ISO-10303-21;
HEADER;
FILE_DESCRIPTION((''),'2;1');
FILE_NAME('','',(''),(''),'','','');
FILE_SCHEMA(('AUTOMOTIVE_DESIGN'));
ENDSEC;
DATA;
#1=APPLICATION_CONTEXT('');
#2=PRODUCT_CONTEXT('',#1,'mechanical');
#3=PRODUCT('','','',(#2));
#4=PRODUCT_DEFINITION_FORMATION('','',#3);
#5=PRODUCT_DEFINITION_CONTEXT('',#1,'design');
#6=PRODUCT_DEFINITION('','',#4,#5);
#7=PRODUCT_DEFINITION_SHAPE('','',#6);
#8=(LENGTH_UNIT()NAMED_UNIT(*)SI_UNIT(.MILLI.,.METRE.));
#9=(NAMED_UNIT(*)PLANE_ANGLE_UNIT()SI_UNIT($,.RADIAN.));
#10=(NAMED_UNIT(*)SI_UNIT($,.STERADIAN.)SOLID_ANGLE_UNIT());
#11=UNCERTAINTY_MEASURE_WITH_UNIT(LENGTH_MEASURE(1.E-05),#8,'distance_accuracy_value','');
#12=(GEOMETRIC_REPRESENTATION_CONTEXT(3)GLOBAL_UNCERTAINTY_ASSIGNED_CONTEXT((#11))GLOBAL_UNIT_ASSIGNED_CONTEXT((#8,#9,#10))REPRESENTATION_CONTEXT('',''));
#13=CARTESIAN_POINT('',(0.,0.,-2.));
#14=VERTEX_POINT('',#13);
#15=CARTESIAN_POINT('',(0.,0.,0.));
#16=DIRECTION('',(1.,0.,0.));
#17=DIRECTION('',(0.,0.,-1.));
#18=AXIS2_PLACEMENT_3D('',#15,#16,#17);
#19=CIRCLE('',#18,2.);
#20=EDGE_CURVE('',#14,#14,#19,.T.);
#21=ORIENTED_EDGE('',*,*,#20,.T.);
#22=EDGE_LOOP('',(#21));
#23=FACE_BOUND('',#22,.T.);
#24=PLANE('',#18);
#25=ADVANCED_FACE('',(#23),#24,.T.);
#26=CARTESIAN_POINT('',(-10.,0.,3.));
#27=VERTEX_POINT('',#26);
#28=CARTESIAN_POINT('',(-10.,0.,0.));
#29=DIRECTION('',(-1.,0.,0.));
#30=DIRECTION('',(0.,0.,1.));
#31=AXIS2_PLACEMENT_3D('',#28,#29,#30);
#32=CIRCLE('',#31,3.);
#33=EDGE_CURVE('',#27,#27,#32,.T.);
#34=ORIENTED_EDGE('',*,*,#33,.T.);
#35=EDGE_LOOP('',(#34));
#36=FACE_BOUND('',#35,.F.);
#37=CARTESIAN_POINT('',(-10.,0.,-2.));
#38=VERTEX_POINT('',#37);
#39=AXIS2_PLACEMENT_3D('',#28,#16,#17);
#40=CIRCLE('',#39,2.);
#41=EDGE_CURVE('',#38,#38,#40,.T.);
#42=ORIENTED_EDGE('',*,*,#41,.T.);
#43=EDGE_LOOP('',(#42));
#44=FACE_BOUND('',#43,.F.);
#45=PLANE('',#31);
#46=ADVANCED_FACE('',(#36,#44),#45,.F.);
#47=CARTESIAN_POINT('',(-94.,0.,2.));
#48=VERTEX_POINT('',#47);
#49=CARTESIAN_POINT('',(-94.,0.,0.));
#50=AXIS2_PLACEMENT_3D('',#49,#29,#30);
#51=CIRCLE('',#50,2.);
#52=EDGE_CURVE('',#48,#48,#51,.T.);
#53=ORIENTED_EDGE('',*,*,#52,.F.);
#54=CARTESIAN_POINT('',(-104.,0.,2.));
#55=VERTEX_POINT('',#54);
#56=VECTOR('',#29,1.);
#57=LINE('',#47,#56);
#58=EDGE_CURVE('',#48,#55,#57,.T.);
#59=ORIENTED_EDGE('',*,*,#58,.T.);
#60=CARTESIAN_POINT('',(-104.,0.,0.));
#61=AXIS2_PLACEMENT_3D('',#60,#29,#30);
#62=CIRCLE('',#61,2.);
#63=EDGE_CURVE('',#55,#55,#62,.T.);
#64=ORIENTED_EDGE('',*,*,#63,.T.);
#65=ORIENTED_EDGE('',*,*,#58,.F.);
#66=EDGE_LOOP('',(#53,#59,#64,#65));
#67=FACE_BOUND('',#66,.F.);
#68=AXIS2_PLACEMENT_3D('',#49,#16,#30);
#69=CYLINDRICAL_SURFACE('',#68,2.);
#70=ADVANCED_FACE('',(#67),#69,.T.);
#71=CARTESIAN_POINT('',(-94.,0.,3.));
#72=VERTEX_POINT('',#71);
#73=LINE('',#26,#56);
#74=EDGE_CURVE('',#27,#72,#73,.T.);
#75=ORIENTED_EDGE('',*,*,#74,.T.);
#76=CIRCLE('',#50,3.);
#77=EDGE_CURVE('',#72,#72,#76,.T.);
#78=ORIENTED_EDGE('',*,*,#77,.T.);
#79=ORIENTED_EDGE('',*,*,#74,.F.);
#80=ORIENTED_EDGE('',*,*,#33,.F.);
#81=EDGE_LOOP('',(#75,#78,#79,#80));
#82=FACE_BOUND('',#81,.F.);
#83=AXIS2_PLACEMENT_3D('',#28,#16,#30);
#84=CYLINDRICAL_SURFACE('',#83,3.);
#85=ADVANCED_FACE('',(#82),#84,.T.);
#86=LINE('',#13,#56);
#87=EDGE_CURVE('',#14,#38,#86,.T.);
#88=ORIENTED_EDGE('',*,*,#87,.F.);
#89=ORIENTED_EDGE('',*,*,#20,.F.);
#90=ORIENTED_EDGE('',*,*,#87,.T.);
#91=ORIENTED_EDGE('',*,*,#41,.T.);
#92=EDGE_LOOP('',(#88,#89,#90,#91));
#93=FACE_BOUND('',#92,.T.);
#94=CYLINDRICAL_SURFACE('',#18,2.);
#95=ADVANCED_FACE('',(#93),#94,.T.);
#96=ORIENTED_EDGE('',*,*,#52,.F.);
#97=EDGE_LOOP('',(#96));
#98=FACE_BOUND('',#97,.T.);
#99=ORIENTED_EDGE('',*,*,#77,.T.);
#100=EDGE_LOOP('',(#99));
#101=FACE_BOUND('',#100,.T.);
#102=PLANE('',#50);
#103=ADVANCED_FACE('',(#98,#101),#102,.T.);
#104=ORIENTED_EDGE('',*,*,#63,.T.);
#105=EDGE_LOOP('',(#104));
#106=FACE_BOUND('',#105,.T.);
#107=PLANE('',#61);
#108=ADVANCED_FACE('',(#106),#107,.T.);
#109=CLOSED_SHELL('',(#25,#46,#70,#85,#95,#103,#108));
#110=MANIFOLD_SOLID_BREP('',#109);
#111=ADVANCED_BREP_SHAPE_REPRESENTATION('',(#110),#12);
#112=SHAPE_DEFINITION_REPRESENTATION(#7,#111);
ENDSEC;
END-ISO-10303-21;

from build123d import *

# Parameters (mm, degrees)
IZIM1_R                     = 2
Y_KSEKLIK_EKSTR_ZYON1_DEPTH = 10
IZIM2_R                     = 3
Y_KSEKLIK_EKSTR_ZYON2_DEPTH = 84
IZIM3_R                     = 2
Y_KSEKLIK_EKSTR_ZYON3_DEPTH = 10


with BuildPart() as part:
    # Çizim1 → Yükseklik-Ekstrüzyon1 (new body)
    with BuildSketch(Plane(origin=(0, 0, 0), x_dir=(0, 0, -1), z_dir=(1, 0, 0))):
        Circle(IZIM1_R)
    extrude(amount=-Y_KSEKLIK_EKSTR_ZYON1_DEPTH)

    # Çizim2 → Yükseklik-Ekstrüzyon2 (add)
    with BuildSketch(Plane.ZY.offset(10)):
        Circle(IZIM2_R)
    extrude(amount=Y_KSEKLIK_EKSTR_ZYON2_DEPTH)

    # Çizim3 → Yükseklik-Ekstrüzyon3 (add)
    with BuildSketch(Plane.ZY.offset(94)):
        Circle(IZIM3_R)
    extrude(amount=Y_KSEKLIK_EKSTR_ZYON3_DEPTH)


solid = part.part
